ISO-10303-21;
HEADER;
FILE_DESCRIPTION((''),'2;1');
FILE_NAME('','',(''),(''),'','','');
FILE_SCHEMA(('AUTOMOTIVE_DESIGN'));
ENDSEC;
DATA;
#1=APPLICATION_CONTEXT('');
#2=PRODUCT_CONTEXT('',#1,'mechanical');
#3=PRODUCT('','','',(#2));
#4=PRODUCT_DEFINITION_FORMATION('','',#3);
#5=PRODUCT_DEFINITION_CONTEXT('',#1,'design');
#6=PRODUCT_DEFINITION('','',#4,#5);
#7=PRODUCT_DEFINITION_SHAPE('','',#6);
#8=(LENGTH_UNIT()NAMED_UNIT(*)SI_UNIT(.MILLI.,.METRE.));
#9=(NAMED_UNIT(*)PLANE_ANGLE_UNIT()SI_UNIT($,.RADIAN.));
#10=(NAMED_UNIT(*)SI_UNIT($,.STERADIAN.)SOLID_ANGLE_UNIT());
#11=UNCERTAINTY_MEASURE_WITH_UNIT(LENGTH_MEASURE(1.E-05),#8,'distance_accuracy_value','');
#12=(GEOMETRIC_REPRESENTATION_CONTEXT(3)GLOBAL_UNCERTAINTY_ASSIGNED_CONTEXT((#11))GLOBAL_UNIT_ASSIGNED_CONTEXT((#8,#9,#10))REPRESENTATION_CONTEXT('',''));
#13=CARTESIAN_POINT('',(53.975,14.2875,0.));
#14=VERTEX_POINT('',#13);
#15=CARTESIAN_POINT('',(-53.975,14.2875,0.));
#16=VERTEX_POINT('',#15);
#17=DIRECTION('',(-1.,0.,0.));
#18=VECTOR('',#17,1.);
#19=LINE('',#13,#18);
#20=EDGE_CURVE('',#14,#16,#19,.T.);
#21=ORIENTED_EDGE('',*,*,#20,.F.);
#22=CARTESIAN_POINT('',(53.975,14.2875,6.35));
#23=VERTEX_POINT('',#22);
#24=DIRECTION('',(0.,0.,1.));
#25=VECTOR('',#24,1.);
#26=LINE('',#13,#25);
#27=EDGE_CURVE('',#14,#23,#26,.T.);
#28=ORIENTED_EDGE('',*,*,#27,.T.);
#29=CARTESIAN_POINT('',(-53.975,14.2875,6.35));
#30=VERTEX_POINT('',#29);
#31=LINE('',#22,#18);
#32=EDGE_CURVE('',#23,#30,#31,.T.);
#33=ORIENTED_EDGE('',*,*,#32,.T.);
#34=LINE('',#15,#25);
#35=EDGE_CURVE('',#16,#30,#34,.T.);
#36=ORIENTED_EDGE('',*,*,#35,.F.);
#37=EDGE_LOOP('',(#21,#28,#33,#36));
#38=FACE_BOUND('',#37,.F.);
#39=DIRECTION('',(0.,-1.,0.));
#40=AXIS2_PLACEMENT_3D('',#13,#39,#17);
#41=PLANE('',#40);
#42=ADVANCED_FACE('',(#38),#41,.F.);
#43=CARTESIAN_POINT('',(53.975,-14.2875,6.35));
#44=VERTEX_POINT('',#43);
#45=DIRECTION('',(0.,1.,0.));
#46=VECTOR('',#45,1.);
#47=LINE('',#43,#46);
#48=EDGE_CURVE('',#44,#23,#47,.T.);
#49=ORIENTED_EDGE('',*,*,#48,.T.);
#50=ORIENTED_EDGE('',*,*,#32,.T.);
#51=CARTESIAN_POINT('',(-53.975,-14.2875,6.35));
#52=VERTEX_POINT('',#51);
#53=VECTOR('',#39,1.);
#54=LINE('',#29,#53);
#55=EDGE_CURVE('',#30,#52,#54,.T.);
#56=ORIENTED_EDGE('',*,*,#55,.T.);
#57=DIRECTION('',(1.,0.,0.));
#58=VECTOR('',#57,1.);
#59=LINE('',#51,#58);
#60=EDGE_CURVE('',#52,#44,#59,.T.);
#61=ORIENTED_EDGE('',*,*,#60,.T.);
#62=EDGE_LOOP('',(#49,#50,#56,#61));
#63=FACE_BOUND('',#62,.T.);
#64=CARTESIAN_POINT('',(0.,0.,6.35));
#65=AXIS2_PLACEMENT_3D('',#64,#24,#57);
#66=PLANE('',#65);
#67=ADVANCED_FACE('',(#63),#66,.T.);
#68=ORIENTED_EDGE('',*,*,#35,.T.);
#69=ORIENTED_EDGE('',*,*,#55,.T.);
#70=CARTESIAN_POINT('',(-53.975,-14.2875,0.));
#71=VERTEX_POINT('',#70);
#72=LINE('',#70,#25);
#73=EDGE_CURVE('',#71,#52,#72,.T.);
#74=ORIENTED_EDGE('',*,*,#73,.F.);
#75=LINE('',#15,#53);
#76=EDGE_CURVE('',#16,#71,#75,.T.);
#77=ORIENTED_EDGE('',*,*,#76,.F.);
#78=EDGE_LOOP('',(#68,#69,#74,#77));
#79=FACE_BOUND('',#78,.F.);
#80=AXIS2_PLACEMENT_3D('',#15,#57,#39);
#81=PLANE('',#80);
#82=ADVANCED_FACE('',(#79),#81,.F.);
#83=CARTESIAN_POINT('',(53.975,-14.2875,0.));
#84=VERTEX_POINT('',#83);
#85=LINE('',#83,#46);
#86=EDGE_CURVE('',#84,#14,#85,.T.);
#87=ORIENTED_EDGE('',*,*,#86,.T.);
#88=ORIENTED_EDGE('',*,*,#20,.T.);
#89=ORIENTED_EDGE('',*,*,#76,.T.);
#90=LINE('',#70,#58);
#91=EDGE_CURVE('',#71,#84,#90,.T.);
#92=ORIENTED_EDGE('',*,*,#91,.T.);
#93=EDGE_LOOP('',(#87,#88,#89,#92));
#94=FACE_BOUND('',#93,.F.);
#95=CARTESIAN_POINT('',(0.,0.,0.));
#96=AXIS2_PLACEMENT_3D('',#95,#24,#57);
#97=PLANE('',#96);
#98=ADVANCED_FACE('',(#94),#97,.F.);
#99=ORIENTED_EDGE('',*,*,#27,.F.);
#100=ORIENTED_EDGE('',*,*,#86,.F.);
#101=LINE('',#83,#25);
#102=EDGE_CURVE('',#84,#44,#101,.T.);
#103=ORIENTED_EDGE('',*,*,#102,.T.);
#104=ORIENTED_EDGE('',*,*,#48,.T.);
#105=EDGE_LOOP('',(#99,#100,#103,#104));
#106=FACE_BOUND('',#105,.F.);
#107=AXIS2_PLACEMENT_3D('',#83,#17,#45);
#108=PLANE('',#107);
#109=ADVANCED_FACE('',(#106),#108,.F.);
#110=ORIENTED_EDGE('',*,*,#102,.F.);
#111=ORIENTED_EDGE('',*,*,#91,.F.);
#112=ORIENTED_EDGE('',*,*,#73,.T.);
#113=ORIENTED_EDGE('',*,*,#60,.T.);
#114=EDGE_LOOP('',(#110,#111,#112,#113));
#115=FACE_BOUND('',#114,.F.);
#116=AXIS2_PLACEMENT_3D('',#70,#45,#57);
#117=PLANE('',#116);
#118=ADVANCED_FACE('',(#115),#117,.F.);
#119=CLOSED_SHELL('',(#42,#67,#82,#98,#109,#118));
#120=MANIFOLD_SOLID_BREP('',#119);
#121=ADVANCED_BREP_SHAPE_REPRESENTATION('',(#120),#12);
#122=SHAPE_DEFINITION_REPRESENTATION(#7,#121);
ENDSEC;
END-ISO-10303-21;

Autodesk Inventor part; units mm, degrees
ref_plane "YZ Plane" through (0, 0, 0) normal (1, 0, 0) x (0, 1, 0)
ref_plane "XZ Plane" through (0, 0, 0) normal (0, 1, 0) x (-1, 0, 0)
ref_plane "XY Plane" through (0, 0, 0) normal (0, 0, 1) x (1, 0, 0)
sketch "Sketch1" plane through (0, 0, 0) normal (0, 0, 1) x (1, 0, 0)
  line L0 (-53.975, -14.2875) -> (53.975, -14.2875)
  line L1 (53.975, -14.2875) -> (53.975, 14.2875)
  line L2 (53.975, 14.2875) -> (-53.975, 14.2875)
  line L3 (-53.975, 14.2875) -> (-53.975, -14.2875)
  line L4 (-53.975, -14.2875) -> (53.975, 14.2875) construction
  line L5 (53.975, -14.2875) -> (-53.975, 14.2875) construction
  point P0 (0, 0)
  dimension "d0" = 107.95
  dimension "d1" = 28.575
extrude "Extrusion1" add sketch "Sketch1" along normal blind 6.35
properties part number "Back Plate" material "UHMW, White"
